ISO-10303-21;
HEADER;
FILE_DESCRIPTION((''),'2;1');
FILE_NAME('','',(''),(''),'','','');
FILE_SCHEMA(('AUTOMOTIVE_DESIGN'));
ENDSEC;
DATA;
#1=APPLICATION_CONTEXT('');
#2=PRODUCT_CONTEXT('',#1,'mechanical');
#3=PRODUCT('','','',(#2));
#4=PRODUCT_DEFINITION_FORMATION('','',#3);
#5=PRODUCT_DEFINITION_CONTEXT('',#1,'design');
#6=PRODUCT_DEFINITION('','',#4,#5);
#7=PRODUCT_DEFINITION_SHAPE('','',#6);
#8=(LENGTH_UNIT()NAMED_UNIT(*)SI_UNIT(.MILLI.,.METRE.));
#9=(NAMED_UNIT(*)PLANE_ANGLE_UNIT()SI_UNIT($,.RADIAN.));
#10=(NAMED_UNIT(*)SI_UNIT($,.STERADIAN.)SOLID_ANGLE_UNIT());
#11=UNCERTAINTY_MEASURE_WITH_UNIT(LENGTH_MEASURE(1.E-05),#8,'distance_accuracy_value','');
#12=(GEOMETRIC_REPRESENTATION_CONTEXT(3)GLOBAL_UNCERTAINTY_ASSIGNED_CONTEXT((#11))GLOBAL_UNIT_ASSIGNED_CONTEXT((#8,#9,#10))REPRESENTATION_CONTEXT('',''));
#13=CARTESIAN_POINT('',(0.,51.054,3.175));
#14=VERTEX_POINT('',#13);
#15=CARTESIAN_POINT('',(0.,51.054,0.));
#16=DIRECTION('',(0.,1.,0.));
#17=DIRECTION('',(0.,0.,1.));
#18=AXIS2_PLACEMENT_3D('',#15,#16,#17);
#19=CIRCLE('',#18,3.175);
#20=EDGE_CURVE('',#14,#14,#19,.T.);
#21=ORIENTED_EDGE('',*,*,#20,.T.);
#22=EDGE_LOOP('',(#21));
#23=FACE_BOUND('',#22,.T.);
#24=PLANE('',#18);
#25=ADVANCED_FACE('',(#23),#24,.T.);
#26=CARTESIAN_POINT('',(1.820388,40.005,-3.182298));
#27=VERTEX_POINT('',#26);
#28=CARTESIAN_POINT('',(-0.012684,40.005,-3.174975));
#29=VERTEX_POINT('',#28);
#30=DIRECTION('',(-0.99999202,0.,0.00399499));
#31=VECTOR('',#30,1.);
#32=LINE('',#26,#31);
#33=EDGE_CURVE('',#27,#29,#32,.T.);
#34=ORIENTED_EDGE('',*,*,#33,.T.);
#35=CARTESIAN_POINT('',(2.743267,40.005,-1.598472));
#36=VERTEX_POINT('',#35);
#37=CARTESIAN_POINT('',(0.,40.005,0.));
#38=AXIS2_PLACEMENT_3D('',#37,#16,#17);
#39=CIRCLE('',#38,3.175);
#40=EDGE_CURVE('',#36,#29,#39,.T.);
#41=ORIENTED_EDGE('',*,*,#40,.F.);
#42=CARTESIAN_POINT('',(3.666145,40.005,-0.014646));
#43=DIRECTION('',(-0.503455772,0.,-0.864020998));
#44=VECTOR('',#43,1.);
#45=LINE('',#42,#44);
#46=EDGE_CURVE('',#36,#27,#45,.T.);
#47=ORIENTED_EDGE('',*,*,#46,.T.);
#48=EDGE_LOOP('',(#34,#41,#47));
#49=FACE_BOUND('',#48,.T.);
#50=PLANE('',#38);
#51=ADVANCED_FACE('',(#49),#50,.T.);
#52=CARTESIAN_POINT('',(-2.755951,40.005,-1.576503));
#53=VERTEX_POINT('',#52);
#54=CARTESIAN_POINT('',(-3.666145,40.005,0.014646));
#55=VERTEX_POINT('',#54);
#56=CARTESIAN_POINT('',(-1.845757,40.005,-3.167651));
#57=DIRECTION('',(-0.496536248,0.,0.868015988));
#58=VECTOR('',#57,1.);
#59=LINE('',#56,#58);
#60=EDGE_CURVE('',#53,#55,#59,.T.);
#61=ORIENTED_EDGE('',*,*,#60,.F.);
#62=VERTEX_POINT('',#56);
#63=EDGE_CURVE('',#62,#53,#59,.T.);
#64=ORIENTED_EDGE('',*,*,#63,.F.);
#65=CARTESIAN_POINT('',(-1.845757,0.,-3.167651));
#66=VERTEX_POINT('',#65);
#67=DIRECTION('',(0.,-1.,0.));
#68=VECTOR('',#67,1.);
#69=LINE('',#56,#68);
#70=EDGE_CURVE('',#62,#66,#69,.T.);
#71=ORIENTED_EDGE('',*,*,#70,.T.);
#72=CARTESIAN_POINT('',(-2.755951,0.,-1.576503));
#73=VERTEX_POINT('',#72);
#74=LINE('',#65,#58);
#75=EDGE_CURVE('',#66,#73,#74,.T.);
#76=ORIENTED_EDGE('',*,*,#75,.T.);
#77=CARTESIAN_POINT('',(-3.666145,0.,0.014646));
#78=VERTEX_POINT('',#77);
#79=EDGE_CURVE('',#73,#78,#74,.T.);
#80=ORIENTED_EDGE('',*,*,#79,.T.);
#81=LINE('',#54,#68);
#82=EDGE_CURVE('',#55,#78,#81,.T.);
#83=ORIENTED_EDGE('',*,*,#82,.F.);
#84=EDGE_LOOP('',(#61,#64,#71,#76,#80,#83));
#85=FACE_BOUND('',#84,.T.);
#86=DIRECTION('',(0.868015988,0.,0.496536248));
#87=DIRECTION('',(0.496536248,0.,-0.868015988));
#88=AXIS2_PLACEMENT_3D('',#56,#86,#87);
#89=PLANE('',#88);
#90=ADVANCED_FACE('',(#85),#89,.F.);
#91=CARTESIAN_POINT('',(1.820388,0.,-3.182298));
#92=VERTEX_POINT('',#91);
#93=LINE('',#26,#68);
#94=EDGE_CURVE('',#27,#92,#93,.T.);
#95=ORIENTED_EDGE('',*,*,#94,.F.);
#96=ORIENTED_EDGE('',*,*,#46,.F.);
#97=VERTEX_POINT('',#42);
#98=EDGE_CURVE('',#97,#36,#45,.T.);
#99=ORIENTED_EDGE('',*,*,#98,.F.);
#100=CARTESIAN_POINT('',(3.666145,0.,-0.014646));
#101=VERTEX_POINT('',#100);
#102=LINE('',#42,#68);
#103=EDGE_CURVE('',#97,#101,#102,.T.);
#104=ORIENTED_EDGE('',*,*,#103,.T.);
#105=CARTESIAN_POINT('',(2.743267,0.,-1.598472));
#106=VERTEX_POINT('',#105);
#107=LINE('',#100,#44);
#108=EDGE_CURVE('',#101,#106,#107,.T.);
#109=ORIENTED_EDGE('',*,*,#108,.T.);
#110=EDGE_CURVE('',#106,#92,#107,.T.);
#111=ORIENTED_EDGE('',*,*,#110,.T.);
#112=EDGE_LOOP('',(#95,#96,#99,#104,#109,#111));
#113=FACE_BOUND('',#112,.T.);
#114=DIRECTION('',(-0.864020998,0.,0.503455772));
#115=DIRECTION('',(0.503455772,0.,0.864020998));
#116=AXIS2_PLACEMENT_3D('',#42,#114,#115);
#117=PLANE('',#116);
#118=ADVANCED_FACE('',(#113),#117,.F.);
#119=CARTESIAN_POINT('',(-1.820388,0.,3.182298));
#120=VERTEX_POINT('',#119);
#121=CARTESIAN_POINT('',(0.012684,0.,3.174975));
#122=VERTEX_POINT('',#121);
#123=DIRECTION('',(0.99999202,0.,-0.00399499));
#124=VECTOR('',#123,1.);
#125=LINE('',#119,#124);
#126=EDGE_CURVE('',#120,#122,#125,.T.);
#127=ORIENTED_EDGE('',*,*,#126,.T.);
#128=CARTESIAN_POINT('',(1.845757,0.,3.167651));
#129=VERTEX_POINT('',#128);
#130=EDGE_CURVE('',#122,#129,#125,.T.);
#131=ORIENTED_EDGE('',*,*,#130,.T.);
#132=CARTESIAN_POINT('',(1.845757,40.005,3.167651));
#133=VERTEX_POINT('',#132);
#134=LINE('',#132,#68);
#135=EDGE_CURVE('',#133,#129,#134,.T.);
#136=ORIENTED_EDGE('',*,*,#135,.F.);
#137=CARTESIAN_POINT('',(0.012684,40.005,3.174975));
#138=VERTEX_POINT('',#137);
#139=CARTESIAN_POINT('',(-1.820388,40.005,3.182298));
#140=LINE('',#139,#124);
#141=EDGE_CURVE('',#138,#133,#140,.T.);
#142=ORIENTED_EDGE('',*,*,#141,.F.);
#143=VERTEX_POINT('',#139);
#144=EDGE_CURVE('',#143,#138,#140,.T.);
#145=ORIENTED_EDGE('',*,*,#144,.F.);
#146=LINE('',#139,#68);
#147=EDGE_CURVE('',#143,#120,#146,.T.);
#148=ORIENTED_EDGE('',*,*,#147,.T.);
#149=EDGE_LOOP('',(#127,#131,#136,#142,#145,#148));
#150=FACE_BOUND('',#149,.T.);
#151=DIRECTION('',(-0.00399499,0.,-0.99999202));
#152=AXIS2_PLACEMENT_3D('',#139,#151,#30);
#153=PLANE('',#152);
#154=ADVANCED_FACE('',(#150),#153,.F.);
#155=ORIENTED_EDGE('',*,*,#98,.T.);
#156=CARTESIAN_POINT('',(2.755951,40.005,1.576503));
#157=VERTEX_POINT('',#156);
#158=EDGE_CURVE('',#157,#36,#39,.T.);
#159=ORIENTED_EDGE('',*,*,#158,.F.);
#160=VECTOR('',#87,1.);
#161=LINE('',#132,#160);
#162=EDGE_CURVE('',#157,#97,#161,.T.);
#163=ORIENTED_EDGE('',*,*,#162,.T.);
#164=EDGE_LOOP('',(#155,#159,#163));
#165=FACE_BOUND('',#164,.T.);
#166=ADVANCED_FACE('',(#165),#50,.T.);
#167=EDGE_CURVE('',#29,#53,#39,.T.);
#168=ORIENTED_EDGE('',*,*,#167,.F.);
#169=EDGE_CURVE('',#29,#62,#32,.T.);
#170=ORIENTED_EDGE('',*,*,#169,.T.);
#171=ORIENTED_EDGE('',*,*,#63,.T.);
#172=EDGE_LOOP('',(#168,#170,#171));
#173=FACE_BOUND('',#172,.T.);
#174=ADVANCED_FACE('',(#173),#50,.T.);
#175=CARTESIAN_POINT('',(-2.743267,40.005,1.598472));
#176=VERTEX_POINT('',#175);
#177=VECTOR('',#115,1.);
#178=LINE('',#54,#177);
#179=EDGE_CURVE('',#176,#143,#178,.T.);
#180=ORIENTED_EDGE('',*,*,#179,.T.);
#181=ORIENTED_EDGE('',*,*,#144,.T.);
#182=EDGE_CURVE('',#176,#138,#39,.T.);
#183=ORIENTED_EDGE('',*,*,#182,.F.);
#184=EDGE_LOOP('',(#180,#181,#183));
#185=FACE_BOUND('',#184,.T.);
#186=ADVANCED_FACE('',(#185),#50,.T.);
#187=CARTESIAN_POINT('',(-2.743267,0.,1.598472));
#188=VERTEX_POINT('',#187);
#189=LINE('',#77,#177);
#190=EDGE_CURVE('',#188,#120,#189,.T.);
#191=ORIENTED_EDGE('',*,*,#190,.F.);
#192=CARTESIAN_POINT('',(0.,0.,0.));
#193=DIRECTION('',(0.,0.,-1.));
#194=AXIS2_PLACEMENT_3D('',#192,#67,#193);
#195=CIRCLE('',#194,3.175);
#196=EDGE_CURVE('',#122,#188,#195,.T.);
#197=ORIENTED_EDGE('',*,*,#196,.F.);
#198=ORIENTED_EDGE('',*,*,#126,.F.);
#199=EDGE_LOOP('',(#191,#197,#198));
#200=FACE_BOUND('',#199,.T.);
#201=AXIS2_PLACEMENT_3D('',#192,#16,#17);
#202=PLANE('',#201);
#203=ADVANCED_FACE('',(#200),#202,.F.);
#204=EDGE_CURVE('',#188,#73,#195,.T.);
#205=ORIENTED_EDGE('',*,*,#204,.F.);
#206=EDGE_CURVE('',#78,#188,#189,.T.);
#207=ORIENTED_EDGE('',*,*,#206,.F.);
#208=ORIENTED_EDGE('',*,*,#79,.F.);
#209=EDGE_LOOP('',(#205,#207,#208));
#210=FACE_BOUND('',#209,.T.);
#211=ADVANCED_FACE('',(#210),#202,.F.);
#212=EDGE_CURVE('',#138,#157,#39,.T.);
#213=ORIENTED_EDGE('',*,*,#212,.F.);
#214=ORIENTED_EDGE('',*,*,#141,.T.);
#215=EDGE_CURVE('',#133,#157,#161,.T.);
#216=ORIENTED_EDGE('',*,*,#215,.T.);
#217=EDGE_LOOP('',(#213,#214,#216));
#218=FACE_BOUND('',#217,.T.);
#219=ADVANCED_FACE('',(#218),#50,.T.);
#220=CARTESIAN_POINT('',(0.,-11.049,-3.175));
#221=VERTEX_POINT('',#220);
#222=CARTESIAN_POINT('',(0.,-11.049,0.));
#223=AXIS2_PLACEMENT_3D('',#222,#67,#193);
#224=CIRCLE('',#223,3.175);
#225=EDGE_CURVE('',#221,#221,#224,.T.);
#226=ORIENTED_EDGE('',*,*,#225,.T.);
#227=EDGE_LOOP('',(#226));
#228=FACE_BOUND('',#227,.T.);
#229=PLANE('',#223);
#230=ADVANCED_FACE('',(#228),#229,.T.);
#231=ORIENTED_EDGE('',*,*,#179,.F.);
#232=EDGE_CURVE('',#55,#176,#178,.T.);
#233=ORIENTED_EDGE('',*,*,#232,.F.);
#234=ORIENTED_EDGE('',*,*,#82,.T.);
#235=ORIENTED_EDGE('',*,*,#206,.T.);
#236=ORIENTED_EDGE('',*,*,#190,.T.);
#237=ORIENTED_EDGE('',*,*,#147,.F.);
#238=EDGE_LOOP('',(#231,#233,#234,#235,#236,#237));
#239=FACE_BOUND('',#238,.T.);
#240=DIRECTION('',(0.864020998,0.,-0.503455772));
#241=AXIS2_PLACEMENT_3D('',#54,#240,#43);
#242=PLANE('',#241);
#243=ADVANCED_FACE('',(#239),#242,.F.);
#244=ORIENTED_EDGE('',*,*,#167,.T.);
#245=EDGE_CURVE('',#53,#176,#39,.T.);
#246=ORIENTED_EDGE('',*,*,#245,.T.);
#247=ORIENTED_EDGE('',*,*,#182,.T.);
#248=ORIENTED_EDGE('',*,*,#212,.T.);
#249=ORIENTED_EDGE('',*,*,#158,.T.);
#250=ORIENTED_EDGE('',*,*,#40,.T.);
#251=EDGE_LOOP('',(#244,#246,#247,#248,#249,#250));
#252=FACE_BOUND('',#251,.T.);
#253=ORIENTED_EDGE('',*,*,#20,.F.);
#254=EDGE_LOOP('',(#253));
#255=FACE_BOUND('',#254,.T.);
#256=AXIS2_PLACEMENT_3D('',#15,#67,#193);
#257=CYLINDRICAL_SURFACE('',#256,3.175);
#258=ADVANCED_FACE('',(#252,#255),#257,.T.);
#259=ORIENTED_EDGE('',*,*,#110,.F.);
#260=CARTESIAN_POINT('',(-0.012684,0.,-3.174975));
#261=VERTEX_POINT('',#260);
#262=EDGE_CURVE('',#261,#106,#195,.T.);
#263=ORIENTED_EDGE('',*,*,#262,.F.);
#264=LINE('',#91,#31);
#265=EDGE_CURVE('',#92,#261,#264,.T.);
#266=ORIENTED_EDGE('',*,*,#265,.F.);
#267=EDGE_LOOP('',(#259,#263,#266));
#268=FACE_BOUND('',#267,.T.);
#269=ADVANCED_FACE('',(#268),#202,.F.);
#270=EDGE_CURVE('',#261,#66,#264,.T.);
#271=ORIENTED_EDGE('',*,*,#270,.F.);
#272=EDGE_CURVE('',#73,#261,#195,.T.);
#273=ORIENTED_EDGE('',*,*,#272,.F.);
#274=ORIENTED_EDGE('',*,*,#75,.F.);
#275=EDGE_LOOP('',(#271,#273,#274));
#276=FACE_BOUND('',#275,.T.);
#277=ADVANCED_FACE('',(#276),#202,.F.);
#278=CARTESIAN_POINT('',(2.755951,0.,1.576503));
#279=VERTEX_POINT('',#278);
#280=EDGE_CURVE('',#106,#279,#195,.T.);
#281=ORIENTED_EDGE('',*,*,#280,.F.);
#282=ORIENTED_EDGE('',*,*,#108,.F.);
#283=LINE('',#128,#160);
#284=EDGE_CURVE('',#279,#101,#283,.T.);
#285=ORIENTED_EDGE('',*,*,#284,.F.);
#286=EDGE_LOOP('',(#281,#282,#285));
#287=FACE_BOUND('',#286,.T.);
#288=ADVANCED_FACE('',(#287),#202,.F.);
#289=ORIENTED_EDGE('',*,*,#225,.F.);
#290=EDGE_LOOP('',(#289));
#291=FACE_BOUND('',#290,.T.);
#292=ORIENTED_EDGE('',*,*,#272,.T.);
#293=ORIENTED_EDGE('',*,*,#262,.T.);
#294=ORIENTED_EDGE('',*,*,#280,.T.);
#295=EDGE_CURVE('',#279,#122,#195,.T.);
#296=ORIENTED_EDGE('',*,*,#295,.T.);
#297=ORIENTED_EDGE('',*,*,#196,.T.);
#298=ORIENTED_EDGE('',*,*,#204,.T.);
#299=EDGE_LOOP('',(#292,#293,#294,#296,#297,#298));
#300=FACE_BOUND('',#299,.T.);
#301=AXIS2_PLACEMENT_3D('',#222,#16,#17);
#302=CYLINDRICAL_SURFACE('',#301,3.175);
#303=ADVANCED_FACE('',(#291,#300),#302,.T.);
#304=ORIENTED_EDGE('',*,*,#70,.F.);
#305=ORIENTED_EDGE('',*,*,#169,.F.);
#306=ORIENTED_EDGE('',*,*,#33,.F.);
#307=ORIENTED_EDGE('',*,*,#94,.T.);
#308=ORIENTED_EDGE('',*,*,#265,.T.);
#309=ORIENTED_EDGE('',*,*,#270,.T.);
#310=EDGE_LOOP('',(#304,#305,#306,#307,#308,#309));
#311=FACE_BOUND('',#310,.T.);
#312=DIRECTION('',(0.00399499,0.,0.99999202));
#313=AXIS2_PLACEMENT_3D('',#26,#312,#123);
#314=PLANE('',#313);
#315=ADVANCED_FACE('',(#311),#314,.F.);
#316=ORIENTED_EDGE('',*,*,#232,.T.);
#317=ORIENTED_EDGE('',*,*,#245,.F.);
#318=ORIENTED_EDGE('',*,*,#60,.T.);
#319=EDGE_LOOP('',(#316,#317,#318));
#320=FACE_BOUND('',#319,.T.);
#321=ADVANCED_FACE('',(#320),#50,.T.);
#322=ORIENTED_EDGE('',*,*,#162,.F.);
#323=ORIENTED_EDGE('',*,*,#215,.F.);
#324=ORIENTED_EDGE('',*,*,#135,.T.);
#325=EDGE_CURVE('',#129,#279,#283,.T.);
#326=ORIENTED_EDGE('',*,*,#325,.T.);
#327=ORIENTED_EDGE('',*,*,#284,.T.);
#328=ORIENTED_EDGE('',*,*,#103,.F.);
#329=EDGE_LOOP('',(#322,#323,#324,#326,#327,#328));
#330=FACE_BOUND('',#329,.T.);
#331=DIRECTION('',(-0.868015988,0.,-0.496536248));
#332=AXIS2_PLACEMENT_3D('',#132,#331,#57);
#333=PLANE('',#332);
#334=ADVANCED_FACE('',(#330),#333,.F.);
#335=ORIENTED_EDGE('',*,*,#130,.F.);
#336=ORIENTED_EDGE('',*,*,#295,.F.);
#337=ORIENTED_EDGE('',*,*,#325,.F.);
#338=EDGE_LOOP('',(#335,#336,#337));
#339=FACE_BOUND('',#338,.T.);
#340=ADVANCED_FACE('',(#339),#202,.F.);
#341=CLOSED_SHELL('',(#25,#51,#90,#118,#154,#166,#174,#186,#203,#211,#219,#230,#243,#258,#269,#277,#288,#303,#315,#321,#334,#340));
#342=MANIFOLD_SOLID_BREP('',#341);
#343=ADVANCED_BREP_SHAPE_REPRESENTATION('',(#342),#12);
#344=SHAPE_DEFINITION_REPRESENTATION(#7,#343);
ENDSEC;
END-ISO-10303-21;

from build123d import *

# Parameters (mm, degrees)
BOSS_EXTRUDE1_DEPTH = 40.005
SKETCH2_R           = 3.175
BOSS_EXTRUDE2_DEPTH = 11.049
BOSS_EXTRUDE3_START = 11.049
SKETCH3_R           = 3.175
BOSS_EXTRUDE3_DEPTH = 11.049


with BuildPart() as part:
    # Sketch1 → Boss-Extrude1 (new body)
    with BuildSketch(Plane(origin=(0, 0, 0), x_dir=(1, 0, 0), z_dir=(0, 1, 0))):
        Polygon((1.820388385, 3.182297827), (-1.845756569, 3.1676515), (-3.666144953, -0.014646328), (-1.820388385, -3.182297827), (1.845756569, -3.1676515), (3.666144953, 0.014646328), align=None)
    extrude(amount=BOSS_EXTRUDE1_DEPTH)

    # Sketch2 → Boss-Extrude2 (add)
    with BuildSketch(Plane(origin=(0, 40.005, 0), x_dir=(1, 0, 0), z_dir=(0, 1, 0))):
        with Locations(Location((0, 0, 0), (0, 0, 90.228896653))):
            Circle(SKETCH2_R)
    extrude(amount=BOSS_EXTRUDE2_DEPTH)

    # Sketch3 → Boss-Extrude3 (add)
    with BuildSketch(Plane(origin=(0, 0, 0), x_dir=(-1, 0, 0), z_dir=(0, -1, 0)).offset(BOSS_EXTRUDE3_START)):
        with Locations(Location((0, 0, 0), (0, 0, 89.771103347))):
            Circle(SKETCH3_R)
    extrude(amount=-BOSS_EXTRUDE3_DEPTH)


solid = part.part
